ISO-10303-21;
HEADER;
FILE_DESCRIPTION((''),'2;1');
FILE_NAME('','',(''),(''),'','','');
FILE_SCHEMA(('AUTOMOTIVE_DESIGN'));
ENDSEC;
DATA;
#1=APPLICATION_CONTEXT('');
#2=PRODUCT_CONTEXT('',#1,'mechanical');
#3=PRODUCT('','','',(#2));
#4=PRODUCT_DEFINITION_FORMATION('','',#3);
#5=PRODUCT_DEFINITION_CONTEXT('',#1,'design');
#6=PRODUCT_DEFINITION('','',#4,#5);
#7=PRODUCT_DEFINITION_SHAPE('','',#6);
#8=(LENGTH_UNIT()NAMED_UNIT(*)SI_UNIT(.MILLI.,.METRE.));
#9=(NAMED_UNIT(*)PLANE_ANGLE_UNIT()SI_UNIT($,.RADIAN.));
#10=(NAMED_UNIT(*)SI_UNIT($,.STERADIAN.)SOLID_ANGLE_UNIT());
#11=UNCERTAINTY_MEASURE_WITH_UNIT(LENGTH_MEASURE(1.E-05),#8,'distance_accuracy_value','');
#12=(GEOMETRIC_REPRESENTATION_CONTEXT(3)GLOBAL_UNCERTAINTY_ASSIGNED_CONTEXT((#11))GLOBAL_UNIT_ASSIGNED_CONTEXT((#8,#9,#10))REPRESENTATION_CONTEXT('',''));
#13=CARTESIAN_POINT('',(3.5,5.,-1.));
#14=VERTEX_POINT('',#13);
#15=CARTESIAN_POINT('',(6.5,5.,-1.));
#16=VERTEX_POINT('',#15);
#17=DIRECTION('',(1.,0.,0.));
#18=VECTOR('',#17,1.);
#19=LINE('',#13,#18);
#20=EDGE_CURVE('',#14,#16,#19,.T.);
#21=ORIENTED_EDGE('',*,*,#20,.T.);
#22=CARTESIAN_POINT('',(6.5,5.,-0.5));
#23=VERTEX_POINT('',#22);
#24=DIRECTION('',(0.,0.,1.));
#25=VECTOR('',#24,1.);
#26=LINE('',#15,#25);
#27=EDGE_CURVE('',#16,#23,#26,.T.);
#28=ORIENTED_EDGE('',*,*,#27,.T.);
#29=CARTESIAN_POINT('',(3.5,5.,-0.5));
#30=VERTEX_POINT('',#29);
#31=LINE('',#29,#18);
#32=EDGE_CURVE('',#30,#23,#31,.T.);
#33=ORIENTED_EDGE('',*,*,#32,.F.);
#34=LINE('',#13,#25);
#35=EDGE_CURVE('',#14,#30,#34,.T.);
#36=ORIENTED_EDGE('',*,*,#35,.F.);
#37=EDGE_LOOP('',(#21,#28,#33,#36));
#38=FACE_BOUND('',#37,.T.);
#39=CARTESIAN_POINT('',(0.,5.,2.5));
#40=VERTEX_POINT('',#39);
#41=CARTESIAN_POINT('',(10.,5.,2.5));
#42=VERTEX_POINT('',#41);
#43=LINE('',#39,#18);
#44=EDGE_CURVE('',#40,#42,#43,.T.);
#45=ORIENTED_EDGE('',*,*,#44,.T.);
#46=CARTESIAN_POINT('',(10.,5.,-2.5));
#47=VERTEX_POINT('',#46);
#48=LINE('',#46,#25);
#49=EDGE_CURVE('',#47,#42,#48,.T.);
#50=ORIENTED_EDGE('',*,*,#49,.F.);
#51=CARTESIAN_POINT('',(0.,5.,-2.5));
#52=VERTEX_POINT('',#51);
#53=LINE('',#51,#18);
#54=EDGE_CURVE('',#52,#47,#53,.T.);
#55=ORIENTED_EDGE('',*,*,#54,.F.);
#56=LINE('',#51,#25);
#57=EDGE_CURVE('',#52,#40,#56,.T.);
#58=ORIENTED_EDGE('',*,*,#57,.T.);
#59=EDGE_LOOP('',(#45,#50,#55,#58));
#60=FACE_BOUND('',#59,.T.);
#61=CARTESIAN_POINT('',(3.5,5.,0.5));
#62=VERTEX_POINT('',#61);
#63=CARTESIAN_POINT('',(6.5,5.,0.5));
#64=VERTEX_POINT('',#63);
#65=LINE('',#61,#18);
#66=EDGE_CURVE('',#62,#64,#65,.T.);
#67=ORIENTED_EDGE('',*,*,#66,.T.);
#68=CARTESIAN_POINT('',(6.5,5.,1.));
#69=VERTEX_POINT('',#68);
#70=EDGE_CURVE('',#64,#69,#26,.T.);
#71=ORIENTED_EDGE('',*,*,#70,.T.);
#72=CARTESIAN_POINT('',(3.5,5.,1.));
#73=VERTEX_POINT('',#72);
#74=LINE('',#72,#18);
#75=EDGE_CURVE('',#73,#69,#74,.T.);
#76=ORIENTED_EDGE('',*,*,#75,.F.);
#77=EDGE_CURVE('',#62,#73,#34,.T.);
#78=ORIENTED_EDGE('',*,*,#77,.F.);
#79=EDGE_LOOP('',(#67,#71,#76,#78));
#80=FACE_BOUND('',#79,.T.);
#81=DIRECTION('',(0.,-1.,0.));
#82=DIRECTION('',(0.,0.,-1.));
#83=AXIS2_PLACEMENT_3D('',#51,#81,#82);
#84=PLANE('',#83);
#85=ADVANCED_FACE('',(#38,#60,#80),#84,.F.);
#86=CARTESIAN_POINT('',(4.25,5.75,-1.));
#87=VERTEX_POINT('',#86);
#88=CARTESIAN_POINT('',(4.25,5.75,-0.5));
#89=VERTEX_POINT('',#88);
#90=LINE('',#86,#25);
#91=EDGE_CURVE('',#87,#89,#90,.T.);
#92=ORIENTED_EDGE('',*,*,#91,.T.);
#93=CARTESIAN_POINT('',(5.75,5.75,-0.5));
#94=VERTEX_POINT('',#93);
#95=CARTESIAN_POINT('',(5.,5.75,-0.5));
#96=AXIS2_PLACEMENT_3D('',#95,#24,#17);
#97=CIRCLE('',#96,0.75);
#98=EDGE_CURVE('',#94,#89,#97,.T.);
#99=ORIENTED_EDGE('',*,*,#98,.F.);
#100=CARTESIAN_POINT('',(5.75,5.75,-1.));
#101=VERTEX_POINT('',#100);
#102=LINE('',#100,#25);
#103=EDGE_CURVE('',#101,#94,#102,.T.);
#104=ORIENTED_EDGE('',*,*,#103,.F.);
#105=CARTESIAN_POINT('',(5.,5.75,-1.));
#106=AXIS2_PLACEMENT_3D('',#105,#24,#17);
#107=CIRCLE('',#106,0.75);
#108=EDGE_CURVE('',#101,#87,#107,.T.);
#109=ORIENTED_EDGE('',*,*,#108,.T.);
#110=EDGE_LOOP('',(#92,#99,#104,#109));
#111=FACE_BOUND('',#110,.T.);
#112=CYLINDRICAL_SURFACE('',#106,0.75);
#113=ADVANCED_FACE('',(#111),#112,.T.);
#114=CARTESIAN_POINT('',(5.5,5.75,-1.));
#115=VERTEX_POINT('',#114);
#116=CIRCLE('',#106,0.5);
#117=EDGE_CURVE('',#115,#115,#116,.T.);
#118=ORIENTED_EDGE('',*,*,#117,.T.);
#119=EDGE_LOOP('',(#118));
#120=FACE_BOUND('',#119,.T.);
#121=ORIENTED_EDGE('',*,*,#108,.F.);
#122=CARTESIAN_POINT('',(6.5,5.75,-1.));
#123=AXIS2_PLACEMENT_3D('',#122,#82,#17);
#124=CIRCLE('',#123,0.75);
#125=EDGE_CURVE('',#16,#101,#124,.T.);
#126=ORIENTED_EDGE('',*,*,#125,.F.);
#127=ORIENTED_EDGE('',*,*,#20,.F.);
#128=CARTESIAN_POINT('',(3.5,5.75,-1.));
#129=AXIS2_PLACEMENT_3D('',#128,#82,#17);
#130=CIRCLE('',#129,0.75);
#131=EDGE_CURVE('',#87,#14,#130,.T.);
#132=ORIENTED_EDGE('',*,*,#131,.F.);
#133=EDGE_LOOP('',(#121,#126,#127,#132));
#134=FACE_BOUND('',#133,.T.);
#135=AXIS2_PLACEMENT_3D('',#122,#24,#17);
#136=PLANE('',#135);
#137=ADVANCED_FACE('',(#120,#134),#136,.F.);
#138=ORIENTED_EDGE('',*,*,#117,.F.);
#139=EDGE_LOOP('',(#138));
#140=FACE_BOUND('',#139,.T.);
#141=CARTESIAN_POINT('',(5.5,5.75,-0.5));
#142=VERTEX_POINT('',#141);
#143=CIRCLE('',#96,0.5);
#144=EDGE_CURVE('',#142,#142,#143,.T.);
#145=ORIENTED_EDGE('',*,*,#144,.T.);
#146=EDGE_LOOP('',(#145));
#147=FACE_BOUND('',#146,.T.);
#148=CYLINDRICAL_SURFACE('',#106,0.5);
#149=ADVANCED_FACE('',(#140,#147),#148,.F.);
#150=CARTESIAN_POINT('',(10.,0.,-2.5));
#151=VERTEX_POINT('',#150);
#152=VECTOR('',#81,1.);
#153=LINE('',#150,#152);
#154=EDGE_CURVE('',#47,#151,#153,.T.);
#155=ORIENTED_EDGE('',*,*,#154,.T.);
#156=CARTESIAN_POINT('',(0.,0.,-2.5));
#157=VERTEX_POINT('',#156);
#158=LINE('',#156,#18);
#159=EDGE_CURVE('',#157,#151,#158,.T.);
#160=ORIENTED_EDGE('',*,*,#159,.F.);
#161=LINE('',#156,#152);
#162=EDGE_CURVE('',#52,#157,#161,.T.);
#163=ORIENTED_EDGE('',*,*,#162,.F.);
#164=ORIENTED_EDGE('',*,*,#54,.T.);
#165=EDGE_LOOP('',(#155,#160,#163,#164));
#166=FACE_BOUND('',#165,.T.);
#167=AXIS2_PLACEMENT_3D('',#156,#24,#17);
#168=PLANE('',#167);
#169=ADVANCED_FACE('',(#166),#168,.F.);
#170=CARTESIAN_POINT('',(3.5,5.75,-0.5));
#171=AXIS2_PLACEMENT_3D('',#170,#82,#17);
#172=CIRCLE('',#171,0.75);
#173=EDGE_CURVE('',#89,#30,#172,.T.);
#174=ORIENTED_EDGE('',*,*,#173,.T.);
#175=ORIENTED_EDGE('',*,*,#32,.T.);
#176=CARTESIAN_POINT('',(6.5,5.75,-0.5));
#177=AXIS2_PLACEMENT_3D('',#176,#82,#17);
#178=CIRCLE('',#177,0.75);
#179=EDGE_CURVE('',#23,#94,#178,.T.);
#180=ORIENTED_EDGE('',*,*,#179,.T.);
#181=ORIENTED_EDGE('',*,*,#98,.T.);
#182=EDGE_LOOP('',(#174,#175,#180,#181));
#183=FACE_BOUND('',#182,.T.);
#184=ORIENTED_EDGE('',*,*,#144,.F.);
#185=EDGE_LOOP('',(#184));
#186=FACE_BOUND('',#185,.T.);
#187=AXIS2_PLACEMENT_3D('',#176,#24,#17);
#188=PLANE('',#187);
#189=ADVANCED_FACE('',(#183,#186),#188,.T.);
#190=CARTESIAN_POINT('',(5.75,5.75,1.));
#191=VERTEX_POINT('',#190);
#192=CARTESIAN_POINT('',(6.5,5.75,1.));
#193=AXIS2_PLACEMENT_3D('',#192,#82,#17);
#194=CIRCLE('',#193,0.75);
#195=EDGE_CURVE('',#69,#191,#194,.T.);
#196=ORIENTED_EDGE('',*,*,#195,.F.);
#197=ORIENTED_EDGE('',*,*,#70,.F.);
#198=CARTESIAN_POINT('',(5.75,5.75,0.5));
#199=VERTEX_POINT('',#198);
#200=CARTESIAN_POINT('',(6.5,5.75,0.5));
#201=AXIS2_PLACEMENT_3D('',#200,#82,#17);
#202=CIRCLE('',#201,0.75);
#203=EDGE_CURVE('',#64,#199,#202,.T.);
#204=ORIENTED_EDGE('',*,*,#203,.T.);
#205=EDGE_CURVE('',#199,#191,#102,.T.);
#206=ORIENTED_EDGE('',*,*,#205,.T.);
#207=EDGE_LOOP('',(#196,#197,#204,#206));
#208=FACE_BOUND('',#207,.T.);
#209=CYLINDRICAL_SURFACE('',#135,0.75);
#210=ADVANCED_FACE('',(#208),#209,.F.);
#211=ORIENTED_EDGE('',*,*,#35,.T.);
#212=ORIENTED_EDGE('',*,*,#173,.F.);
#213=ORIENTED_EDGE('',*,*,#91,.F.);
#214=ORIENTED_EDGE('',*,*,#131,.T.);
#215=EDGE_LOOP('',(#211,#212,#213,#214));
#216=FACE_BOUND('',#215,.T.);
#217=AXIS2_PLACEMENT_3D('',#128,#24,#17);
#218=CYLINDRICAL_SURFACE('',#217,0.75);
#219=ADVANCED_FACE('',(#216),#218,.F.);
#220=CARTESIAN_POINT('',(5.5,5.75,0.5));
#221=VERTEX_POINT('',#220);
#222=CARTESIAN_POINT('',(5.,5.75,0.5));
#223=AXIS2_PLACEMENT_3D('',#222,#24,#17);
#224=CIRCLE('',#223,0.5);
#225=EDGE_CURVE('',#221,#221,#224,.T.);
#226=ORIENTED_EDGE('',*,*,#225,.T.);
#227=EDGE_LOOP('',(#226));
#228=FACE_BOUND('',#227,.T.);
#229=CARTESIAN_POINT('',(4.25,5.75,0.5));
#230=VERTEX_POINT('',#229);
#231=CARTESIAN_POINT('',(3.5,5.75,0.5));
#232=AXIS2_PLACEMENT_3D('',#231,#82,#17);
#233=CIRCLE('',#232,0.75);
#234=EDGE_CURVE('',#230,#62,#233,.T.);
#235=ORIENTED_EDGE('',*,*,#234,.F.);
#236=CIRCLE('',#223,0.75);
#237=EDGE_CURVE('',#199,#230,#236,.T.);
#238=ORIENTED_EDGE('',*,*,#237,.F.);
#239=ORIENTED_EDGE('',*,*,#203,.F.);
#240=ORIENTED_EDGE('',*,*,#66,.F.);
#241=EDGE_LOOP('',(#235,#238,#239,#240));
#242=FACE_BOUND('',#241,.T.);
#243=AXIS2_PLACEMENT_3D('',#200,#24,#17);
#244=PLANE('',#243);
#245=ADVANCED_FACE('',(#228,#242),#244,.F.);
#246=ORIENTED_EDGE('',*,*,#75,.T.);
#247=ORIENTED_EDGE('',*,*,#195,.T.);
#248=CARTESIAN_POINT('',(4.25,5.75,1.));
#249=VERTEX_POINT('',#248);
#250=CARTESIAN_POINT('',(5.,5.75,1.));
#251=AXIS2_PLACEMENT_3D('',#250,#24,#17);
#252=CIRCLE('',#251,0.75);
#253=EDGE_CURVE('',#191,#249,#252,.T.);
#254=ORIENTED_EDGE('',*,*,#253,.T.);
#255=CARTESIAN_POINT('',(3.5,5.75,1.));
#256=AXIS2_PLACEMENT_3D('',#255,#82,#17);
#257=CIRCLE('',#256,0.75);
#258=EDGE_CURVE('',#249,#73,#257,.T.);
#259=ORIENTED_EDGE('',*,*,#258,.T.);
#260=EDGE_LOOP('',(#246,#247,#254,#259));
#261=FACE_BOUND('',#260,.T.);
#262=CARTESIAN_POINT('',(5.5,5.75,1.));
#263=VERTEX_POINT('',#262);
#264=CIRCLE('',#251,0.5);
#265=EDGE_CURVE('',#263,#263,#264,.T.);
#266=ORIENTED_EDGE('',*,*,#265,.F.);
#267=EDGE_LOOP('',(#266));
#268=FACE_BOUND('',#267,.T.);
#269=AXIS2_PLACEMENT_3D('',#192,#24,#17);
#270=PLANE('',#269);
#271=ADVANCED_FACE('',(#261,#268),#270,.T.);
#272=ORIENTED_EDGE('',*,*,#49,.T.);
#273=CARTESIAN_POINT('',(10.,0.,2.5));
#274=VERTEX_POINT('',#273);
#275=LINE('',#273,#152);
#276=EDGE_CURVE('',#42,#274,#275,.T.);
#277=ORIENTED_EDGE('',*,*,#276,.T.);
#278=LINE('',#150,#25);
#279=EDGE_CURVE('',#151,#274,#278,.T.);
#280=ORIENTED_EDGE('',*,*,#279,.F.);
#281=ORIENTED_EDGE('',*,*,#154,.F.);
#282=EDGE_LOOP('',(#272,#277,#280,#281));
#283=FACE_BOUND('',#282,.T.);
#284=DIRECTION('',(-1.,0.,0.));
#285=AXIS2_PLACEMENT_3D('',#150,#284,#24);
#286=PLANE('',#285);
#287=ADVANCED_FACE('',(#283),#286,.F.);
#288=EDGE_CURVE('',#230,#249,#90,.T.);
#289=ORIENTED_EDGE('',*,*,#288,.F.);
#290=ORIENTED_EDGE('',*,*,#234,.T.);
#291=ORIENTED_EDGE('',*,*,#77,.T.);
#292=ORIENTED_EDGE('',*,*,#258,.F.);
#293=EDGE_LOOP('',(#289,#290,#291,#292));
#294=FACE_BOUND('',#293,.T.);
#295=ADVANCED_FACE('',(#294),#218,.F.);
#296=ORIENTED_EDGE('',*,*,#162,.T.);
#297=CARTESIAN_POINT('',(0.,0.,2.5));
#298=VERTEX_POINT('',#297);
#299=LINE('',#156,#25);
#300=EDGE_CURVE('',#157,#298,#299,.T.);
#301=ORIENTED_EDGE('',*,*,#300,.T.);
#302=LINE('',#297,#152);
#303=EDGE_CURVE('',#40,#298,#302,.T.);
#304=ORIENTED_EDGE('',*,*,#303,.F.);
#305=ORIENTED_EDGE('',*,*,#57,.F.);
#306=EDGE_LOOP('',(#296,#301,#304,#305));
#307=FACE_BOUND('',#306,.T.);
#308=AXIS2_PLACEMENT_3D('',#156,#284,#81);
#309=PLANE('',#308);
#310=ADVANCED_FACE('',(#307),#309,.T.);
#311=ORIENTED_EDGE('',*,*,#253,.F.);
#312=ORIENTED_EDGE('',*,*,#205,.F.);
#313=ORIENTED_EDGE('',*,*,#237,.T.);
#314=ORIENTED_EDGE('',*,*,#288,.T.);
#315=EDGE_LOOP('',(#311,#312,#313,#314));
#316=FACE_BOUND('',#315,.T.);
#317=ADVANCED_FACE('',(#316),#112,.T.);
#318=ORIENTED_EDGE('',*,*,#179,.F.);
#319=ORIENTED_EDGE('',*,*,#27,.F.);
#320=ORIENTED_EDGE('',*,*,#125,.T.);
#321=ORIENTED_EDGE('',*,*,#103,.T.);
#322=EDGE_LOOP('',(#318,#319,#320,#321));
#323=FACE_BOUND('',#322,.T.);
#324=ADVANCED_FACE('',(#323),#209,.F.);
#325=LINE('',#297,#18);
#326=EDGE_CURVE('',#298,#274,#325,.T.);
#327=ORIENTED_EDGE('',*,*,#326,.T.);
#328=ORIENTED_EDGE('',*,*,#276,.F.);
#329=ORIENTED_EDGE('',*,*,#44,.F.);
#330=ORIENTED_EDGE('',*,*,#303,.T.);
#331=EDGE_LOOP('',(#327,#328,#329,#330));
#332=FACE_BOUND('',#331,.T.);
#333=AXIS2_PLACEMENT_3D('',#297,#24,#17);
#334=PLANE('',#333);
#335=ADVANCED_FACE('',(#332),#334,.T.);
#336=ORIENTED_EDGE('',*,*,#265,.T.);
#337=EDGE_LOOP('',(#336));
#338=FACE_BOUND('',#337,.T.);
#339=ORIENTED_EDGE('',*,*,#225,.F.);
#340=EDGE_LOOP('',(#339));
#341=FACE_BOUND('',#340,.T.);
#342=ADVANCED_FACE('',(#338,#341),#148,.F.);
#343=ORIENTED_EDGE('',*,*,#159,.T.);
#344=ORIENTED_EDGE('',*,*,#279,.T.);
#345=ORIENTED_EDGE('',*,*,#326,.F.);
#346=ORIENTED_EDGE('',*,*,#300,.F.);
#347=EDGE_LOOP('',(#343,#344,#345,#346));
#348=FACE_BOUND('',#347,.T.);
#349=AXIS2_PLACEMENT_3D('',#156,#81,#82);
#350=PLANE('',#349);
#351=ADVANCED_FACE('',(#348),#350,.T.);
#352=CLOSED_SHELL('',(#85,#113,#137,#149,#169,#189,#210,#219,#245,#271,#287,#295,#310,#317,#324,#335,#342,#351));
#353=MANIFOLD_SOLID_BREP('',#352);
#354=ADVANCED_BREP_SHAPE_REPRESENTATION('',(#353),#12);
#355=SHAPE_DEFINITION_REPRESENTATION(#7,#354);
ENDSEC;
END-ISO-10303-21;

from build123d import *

# Parameters (mm, degrees)
EXTRUDE_1_DEPTH          = 2.5
EXTRUDE_1_DEPTH_BACK     = 2.5
EXTRUDE_3_DEPTH          = 1
EXTRUDE_3_DEPTH_BACK     = 1
SKETCH_2_6_R             = 0.5
CUT_EXTRUDE_1_DEPTH      = 0.5
CUT_EXTRUDE_1_DEPTH_BACK = 0.5
SKETCH_2_R               = 0.5


with BuildPart() as part:
    # 草圖1 → 填料-伸長1 (new, two sides: drawn at the far end of the back side and taken through both)
    with BuildSketch(Plane.XY.offset(-EXTRUDE_1_DEPTH_BACK)):
        Polygon((2, 5), (0, 5), (0, 0), (10, 0), (10, 5), (8, 5), align=None)
    extrude(amount=EXTRUDE_1_DEPTH + EXTRUDE_1_DEPTH_BACK)

    # 草圖2<6> → 填料-伸長3 (add, two sides: drawn at the far end of the back side and taken through both)
    with BuildSketch(Plane.XY.offset(-EXTRUDE_3_DEPTH_BACK)):
        with BuildLine():
            Line((3.5, 5), (6.5, 5))
            ThreePointArc((6.5, 5), (5.969669914, 5.219669914), (5.75, 5.75))
            ThreePointArc((5.75, 5.75), (5, 6.5), (4.25, 5.75))
            ThreePointArc((4.25, 5.75), (4.030330086, 5.219669914), (3.5, 5))
        make_face()
        with Locations((5, 5.75)):
            Circle(SKETCH_2_6_R, mode=Mode.SUBTRACT)
    extrude(amount=EXTRUDE_3_DEPTH + EXTRUDE_3_DEPTH_BACK)

    # 草圖2 → 除料-伸長1 (cut, two sides: drawn at the far end of the back side and taken through both)
    with BuildSketch(Plane.XY.offset(-CUT_EXTRUDE_1_DEPTH_BACK)):
        with BuildLine():
            Line((3.5, 5), (6.5, 5))
            ThreePointArc((6.5, 5), (5.969669914, 5.219669914), (5.75, 5.75))
            ThreePointArc((5.75, 5.75), (5, 6.5), (4.25, 5.75))
            ThreePointArc((4.25, 5.75), (4.030330086, 5.219669914), (3.5, 5))
        make_face()
        with Locations((5, 5.75)):
            Circle(SKETCH_2_R, mode=Mode.SUBTRACT)
    extrude(amount=CUT_EXTRUDE_1_DEPTH + CUT_EXTRUDE_1_DEPTH_BACK, mode=Mode.SUBTRACT)


solid = part.part
